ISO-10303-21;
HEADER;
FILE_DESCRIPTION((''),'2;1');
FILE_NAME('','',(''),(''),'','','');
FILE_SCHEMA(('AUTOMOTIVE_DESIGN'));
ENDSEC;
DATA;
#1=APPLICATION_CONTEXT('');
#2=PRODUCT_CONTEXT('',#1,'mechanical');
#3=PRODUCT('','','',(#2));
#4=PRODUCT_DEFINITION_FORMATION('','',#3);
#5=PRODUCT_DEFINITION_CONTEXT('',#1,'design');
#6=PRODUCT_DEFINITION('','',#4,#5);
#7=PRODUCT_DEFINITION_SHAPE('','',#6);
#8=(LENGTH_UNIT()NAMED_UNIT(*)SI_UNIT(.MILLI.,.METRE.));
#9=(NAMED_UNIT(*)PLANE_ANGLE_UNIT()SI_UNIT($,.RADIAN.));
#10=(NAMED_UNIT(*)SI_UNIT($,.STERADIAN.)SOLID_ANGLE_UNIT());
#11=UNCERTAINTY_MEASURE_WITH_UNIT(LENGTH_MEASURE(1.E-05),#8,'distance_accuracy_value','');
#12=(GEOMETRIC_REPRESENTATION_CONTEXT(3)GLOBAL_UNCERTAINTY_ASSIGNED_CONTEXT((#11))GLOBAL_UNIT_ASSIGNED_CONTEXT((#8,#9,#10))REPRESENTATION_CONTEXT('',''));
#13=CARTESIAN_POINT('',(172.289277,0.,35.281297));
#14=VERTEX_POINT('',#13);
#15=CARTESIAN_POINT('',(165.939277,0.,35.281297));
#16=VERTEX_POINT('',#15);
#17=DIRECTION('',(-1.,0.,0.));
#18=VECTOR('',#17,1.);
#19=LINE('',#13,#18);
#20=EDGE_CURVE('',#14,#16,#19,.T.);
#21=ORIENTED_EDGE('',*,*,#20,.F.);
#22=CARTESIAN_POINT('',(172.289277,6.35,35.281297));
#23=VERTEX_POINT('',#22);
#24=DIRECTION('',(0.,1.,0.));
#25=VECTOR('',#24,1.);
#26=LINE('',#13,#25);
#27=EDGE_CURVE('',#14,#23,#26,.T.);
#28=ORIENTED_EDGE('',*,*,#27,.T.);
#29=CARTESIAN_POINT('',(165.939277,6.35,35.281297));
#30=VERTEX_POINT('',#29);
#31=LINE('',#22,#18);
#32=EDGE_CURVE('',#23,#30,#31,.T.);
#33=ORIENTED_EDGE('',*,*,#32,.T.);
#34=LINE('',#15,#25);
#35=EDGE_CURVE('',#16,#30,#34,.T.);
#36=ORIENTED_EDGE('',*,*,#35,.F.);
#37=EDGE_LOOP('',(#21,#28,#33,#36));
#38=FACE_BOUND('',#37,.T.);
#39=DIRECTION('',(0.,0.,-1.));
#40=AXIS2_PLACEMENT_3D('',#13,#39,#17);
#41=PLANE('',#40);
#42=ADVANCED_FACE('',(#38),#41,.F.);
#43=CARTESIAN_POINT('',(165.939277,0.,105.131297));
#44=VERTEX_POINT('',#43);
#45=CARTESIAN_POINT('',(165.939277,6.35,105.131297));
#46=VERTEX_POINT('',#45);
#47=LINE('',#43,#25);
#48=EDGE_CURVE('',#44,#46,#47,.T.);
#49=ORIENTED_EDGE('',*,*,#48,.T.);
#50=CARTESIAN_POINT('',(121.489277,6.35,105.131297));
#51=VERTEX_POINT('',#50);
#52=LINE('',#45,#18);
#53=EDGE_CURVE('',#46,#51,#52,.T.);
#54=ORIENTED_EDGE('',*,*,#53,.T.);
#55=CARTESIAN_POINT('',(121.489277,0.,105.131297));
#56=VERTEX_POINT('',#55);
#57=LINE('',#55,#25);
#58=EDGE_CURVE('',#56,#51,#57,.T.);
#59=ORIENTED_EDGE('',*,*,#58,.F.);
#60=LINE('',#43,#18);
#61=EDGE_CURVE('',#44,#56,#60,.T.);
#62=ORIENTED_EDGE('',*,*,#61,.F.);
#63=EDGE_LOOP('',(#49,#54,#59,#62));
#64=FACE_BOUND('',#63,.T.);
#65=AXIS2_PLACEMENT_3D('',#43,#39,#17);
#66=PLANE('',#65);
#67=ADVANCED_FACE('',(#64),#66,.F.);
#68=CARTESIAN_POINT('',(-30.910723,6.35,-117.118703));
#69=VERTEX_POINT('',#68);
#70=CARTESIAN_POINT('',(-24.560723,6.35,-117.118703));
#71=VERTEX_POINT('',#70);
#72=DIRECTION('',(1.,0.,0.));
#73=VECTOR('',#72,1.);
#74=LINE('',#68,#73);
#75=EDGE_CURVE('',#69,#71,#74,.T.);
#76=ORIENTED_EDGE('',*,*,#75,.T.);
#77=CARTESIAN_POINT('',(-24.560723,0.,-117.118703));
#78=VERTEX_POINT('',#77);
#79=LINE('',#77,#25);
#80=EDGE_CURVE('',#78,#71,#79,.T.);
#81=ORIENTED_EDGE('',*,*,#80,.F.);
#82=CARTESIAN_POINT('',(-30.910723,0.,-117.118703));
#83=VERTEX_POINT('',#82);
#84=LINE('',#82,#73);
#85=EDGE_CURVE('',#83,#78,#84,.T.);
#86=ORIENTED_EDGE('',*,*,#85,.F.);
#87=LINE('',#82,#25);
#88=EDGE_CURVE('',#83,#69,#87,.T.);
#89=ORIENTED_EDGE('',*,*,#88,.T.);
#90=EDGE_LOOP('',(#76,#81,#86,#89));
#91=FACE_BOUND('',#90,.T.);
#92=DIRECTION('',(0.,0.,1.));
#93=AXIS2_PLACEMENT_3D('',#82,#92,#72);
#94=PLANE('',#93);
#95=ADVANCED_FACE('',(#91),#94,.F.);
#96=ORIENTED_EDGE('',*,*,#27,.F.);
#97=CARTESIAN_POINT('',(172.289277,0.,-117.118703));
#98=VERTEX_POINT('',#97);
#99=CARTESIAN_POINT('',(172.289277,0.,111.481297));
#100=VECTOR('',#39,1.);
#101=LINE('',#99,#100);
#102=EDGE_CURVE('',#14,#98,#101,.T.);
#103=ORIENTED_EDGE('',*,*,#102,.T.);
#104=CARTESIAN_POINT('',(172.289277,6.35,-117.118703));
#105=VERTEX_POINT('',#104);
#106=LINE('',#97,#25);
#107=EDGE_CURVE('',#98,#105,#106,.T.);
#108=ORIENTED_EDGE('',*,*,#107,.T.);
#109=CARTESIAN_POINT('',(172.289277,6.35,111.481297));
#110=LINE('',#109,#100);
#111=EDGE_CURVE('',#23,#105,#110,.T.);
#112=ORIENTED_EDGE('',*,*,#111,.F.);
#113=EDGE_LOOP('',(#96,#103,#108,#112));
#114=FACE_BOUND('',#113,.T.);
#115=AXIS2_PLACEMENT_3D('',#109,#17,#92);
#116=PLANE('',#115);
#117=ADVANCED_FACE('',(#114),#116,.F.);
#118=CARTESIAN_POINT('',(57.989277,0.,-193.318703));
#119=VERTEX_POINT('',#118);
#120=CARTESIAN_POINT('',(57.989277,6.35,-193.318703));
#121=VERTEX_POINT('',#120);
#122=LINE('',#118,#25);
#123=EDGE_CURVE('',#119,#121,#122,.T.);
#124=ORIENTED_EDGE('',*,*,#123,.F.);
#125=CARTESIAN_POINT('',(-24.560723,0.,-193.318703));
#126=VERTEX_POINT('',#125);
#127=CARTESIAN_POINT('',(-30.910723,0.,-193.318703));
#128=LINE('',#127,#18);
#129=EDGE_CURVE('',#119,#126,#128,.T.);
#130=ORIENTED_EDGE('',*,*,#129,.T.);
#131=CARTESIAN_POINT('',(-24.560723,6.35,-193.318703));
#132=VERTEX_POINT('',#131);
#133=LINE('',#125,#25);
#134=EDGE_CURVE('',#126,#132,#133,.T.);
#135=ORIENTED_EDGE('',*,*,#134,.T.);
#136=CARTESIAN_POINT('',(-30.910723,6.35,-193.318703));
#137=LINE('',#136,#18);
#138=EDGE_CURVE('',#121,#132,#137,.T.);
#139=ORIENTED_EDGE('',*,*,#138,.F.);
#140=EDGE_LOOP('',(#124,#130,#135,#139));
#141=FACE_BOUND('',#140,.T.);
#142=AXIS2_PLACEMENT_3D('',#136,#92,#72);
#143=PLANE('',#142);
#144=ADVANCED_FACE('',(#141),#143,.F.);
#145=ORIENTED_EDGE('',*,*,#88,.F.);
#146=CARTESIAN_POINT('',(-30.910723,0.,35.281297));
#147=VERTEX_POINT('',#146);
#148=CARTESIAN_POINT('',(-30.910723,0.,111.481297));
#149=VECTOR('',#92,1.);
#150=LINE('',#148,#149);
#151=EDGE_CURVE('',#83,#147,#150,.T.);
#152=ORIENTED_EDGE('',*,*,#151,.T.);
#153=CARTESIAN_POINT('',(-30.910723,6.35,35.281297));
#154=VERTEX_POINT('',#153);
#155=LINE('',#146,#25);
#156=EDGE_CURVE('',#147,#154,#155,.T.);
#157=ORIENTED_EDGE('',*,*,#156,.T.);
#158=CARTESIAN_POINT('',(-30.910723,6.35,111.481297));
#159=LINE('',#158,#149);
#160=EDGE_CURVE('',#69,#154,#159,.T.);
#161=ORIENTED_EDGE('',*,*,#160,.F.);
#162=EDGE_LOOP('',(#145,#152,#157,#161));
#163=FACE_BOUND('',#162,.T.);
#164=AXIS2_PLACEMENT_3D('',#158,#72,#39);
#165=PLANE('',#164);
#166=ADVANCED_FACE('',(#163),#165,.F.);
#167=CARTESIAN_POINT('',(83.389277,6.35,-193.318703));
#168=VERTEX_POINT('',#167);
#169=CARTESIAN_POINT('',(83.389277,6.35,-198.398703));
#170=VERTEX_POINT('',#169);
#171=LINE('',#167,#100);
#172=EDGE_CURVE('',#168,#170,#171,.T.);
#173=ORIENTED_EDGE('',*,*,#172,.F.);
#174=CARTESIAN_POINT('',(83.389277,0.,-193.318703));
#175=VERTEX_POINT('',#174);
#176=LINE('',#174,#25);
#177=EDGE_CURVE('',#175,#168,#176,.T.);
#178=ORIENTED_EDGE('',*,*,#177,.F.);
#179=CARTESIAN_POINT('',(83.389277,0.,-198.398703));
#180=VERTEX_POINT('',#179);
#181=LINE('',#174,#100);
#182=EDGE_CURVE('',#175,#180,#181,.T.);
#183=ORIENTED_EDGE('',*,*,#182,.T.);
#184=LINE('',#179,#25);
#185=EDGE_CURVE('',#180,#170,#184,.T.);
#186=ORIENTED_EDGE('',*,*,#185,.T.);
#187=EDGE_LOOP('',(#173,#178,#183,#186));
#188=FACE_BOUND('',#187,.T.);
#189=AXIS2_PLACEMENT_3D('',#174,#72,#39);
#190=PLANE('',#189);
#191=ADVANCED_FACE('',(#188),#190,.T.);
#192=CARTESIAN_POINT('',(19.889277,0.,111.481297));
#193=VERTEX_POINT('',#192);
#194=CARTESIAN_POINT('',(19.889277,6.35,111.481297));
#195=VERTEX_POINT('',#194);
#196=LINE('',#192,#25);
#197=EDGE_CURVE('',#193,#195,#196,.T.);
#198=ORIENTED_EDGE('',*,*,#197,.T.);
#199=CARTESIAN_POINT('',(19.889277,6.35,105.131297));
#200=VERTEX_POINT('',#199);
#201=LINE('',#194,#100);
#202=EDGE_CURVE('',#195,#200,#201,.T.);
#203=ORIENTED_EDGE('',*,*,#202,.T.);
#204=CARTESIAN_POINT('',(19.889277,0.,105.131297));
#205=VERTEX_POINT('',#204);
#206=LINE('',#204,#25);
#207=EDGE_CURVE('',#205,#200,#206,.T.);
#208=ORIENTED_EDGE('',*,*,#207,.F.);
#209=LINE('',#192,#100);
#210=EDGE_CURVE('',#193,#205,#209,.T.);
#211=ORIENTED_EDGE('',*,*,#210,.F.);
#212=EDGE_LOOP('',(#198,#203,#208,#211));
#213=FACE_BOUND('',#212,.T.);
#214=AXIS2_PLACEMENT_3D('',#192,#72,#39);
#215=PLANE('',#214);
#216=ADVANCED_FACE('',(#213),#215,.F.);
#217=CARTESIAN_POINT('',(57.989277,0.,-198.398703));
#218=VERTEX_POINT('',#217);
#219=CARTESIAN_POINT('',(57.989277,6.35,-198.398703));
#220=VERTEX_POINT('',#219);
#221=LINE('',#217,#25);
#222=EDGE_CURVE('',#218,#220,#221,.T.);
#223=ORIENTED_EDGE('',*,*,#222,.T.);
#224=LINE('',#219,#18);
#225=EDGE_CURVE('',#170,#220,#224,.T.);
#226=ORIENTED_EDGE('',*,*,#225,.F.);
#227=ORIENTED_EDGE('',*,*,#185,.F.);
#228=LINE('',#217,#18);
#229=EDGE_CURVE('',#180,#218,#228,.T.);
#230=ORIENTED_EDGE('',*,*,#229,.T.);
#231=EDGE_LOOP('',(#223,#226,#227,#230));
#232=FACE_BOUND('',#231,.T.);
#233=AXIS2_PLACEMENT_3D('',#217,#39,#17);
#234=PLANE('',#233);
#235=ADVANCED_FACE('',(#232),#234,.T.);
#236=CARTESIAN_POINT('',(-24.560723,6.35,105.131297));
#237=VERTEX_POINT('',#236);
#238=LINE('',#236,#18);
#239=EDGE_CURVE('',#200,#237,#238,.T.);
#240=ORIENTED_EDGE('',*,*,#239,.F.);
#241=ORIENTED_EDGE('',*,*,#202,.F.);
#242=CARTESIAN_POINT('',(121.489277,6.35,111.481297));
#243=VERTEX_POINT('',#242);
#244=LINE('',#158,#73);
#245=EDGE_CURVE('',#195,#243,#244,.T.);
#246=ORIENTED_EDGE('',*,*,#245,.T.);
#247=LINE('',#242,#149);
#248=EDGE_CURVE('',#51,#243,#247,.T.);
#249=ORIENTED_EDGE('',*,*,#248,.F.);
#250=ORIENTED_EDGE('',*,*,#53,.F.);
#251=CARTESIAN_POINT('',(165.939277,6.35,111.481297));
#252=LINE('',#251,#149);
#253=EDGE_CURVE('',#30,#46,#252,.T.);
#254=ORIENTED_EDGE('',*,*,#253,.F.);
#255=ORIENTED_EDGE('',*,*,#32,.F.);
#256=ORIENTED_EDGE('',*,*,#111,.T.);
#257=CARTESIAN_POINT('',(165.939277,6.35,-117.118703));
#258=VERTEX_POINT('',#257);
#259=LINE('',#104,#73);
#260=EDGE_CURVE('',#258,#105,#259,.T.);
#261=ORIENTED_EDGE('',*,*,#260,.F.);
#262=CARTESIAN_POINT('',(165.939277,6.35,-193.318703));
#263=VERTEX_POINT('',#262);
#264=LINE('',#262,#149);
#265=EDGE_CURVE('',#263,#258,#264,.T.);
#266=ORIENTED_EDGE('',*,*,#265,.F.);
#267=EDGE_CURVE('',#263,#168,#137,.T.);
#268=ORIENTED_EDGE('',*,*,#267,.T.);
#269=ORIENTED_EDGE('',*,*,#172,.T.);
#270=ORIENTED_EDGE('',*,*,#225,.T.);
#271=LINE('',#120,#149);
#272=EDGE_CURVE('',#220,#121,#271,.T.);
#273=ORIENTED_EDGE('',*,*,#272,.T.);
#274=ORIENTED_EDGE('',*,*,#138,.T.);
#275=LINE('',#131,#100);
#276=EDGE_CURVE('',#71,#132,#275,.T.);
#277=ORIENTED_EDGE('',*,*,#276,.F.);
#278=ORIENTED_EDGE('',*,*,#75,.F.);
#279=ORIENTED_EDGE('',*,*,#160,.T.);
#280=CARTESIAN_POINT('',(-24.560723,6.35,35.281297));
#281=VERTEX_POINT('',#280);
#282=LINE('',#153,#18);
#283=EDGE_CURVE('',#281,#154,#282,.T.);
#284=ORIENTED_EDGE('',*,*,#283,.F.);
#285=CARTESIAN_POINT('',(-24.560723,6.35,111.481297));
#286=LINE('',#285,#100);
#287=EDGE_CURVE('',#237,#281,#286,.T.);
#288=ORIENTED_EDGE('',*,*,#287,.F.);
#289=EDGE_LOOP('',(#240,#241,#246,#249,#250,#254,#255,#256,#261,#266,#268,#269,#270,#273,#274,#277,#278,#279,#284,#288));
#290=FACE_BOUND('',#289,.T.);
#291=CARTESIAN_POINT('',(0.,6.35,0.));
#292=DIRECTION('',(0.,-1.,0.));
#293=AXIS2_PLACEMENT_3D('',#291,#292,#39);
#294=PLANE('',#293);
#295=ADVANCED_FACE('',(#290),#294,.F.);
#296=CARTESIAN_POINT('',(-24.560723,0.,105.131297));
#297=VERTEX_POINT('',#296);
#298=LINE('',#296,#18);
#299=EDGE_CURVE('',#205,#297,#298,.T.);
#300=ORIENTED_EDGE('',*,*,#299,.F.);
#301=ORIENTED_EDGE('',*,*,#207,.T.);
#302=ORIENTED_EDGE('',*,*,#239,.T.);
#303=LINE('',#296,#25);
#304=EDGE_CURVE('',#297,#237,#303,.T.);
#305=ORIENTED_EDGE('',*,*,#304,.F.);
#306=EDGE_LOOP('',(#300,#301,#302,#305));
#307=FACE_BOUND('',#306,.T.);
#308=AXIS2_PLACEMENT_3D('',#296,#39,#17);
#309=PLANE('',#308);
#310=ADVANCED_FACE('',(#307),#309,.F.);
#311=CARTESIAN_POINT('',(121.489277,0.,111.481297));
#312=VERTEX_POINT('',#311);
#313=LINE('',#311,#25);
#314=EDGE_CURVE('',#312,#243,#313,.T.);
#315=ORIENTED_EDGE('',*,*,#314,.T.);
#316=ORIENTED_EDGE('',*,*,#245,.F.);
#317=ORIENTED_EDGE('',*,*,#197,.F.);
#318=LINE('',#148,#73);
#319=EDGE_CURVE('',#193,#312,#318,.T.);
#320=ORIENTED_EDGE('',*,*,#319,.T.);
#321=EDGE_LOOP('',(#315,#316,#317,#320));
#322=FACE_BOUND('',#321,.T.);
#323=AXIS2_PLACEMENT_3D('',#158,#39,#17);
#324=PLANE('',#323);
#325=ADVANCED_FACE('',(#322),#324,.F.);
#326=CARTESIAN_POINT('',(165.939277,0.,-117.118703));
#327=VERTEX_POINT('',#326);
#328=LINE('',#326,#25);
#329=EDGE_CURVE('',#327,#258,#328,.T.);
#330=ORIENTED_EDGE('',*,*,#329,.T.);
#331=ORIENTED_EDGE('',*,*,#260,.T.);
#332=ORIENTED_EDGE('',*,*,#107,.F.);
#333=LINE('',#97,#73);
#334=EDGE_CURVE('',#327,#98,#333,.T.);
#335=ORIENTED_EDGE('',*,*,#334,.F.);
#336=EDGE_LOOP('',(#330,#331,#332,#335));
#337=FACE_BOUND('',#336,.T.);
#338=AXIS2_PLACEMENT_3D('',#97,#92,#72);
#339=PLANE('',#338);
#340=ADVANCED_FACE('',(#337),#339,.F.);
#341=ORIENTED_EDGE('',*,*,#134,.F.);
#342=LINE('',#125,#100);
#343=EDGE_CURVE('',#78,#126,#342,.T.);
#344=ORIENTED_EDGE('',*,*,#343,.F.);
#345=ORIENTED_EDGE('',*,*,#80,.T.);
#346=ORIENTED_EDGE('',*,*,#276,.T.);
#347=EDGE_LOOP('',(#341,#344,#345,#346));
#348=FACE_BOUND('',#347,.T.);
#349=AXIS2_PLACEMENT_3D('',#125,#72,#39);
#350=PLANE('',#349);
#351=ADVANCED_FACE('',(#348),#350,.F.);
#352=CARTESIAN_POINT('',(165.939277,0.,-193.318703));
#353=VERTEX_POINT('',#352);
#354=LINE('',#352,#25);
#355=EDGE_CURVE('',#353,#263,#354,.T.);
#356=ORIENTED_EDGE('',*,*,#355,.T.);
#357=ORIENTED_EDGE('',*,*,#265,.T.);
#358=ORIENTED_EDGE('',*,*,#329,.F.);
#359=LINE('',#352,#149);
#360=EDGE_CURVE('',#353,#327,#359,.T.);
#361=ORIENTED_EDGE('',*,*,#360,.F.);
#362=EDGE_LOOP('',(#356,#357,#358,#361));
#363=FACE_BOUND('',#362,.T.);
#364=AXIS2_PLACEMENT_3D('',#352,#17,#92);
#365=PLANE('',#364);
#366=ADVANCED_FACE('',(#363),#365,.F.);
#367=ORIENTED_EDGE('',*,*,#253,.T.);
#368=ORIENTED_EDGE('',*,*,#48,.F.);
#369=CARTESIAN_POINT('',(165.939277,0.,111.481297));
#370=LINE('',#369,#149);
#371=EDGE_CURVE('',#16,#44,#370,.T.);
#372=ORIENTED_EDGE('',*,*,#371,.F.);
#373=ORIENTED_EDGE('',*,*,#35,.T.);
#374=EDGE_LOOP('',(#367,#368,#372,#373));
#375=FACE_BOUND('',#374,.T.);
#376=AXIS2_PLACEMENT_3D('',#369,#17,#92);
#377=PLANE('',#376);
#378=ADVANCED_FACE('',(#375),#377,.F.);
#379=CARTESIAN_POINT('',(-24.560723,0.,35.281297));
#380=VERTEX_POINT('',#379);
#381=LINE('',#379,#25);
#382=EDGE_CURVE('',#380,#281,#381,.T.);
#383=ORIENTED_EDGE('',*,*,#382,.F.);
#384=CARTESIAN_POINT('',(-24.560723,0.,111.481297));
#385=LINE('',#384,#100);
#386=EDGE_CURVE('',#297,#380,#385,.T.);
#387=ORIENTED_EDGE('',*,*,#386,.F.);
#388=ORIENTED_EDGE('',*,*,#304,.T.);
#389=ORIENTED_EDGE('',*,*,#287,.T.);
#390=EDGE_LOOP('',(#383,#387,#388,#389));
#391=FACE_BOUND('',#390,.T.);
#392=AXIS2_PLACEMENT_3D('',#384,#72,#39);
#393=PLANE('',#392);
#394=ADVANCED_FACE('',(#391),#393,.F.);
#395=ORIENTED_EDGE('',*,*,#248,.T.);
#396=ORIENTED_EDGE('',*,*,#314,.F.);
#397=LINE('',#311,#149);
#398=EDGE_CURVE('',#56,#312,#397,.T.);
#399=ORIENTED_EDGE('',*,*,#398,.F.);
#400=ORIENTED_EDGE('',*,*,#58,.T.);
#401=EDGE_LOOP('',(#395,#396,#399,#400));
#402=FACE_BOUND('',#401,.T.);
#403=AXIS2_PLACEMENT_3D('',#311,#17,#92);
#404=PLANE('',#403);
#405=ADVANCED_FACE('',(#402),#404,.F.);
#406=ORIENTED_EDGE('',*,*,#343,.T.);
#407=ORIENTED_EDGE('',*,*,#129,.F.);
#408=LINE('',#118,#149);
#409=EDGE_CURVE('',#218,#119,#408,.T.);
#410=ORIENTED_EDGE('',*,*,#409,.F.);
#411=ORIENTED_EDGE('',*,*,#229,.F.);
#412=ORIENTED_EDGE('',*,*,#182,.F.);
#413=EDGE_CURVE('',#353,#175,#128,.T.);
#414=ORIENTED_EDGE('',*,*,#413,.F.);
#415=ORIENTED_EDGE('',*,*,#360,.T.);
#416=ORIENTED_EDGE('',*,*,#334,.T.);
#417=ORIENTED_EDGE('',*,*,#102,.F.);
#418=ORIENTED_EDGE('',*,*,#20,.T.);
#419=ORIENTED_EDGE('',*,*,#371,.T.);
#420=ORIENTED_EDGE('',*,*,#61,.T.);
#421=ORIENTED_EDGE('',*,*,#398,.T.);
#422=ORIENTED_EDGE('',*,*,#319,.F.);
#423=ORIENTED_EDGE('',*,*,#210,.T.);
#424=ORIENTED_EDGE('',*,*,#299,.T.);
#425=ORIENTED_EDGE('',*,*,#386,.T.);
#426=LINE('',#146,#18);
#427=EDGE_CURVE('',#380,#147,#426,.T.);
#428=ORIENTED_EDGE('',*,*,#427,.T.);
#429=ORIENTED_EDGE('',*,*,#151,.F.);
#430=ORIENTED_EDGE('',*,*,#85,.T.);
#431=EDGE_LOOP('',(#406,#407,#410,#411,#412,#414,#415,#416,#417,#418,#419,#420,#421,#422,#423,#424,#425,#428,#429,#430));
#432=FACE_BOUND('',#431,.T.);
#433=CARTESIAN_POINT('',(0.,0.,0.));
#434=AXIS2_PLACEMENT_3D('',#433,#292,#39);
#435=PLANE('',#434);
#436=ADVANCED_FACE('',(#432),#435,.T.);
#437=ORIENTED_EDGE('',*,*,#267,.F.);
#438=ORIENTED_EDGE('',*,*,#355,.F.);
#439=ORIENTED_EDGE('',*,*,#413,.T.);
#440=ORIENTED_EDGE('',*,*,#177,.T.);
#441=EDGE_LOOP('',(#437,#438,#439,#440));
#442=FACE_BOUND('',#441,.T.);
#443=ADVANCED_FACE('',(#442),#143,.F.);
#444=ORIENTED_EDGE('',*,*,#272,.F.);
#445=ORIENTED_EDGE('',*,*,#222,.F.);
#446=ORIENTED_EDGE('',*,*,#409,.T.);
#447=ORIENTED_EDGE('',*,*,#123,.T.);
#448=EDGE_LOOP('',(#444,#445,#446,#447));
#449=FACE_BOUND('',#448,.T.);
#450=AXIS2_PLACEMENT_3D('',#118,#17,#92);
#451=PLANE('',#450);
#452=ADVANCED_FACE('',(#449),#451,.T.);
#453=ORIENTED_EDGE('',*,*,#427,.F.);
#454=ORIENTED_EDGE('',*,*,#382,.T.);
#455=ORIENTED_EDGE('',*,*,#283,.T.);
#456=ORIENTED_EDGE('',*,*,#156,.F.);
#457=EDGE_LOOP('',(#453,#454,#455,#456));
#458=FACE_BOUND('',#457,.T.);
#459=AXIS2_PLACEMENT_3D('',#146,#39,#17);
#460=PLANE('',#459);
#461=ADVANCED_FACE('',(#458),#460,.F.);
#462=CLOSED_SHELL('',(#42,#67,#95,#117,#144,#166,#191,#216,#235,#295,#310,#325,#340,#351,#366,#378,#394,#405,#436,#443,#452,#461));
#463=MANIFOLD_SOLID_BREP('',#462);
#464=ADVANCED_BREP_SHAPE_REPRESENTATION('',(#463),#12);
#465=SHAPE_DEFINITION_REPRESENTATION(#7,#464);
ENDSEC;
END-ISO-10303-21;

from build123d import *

# Parameters (mm, degrees)
SKETCH1_W           = 203.2
SKETCH1_H           = 304.8
BOSS_EXTRUDE1_DEPTH = 6.35
SKETCH2_W           = 6.35
SKETCH2_H           = 76.2
CUT_EXTRUDE1_DEPTH  = 6.35
SKETCH3_W           = 25.4
SKETCH3_H           = 5.08
BOSS_EXTRUDE3_DEPTH = 6.35
SKETCH5_W           = 44.45
SKETCH5_H           = 6.35
CUT_EXTRUDE2_DEPTH  = 6.35


with BuildPart() as part:
    # Sketch1 → Boss-Extrude1 (new body)
    with BuildSketch(Plane(origin=(0, 0, 0), x_dir=(1, 0, 0), z_dir=(0, 1, 0))):
        with Locations((70.689276808, 40.918703242)):
            Rectangle(SKETCH1_W, SKETCH1_H)
    extrude(amount=BOSS_EXTRUDE1_DEPTH)

    # Sketch2 → Cut-Extrude1 (cut)
    with BuildSketch(Plane(origin=(0, 6.35, 0), x_dir=(1, 0, 0), z_dir=(0, 1, 0))):
        with Locations((-27.735723192, -73.381296758)):
            Rectangle(SKETCH2_W, SKETCH2_H)
        with Locations((-27.735723192, 155.218703242)):
            Rectangle(SKETCH2_W, SKETCH2_H)
        with Locations((169.114276808, 155.218703242)):
            Rectangle(SKETCH2_W, SKETCH2_H)
        with Locations((169.114276808, -73.381296758)):
            Rectangle(SKETCH2_W, SKETCH2_H)
    extrude(amount=-CUT_EXTRUDE1_DEPTH, mode=Mode.SUBTRACT)

    # Sketch3 → Boss-Extrude3 (add)
    with BuildSketch(Plane(origin=(0, 6.35, 0), x_dir=(1, 0, 0), z_dir=(0, 1, 0))):
        with Locations((70.689276808, 195.858703242)):
            Rectangle(SKETCH3_W, SKETCH3_H)
    extrude(amount=-BOSS_EXTRUDE3_DEPTH)

    # Sketch5 → Cut-Extrude2 (cut)
    with BuildSketch(Plane(origin=(0, 6.35, 0), x_dir=(1, 0, 0), z_dir=(0, 1, 0))):
        with Locations((-2.335723192, -108.306296758)):
            Rectangle(SKETCH5_W, SKETCH5_H)
        with Locations((143.714276808, -108.306296758)):
            Rectangle(SKETCH5_W, SKETCH5_H)
    extrude(amount=-CUT_EXTRUDE2_DEPTH, mode=Mode.SUBTRACT)


solid = part.part
